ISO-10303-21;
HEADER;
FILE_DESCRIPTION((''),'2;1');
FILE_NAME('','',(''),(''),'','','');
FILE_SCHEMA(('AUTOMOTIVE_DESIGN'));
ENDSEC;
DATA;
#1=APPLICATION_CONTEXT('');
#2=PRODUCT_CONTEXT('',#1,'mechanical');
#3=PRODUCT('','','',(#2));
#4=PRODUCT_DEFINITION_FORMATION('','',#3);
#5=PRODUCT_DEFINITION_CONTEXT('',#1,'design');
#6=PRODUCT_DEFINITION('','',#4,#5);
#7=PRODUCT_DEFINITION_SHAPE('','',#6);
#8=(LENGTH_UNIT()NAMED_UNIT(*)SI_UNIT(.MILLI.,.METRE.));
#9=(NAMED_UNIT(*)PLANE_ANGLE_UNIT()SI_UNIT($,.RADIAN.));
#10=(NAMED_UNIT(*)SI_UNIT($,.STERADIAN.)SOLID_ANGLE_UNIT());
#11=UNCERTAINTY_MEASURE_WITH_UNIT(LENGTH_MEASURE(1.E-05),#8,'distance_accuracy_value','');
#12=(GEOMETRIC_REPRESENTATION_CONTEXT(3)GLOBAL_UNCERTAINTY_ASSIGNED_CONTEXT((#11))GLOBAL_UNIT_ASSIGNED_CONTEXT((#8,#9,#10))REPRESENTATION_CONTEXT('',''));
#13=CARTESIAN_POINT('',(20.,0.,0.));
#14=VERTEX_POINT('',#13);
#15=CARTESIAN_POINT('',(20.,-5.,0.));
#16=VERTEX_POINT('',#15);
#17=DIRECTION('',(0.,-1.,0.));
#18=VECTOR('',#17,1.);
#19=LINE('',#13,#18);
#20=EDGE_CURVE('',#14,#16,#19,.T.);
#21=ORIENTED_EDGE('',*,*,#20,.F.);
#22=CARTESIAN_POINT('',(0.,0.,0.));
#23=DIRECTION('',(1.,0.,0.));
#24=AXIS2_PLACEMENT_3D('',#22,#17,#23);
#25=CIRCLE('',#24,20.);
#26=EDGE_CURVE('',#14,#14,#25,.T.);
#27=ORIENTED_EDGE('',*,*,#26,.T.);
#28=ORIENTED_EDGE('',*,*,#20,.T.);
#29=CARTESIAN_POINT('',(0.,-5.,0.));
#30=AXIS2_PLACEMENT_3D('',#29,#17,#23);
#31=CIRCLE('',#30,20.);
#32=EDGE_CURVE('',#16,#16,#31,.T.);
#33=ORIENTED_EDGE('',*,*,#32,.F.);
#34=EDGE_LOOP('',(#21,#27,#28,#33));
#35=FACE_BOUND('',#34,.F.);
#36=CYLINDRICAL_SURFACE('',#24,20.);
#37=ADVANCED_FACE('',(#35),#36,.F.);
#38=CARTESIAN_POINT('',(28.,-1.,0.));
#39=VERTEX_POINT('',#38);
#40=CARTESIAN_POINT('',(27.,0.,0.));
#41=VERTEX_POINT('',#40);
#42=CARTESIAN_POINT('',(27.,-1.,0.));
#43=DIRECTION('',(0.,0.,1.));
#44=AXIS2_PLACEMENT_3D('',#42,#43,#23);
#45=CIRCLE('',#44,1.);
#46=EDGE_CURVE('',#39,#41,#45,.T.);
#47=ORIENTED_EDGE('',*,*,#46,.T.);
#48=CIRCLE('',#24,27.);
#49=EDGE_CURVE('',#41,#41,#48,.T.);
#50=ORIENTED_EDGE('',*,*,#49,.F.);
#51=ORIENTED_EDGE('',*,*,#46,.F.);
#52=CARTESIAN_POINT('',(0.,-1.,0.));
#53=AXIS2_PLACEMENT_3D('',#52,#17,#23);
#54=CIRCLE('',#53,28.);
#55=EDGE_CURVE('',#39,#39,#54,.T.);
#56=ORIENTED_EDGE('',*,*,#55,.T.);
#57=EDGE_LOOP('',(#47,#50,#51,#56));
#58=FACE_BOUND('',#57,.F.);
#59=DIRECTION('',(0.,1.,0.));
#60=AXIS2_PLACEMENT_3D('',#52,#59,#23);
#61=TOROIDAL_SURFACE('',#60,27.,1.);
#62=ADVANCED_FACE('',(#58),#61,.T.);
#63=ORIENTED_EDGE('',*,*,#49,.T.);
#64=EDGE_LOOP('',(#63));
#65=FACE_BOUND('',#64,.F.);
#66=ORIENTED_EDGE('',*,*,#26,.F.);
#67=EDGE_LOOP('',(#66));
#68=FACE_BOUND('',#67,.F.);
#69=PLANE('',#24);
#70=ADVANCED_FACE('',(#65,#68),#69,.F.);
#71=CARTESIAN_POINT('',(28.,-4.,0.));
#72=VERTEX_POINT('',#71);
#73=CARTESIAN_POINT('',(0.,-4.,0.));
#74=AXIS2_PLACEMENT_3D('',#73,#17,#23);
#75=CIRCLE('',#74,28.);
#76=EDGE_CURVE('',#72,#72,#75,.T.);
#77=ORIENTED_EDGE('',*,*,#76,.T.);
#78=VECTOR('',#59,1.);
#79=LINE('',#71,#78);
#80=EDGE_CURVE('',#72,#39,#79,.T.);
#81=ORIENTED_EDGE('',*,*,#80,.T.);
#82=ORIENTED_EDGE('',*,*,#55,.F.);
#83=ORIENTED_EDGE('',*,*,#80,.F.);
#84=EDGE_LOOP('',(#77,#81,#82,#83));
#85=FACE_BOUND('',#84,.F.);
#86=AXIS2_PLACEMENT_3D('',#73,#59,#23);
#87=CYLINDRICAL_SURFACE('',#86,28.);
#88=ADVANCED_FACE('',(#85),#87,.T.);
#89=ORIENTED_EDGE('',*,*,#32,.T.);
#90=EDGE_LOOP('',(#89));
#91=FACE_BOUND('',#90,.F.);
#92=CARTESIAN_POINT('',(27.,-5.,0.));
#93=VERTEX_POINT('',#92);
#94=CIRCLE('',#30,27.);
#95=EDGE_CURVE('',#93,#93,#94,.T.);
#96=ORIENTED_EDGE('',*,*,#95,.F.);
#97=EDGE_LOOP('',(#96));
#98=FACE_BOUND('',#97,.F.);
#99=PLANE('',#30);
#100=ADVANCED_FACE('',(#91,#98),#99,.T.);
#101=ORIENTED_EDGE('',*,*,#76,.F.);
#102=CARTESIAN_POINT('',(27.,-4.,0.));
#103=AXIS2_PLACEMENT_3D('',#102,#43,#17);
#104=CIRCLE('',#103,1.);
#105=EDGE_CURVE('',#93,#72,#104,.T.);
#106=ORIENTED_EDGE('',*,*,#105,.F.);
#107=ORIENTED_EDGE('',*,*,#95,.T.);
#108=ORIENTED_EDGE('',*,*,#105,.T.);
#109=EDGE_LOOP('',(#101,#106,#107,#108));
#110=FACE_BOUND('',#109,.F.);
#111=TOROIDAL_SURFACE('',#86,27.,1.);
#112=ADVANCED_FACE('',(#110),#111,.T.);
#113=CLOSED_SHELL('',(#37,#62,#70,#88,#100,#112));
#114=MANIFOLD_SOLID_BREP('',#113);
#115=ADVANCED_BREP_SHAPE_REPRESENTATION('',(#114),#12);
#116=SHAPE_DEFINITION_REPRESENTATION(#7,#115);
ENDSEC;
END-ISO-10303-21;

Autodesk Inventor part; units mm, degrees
sketch "Skizze_1" plane through (0, 0, 0) normal (0, 0, 1) x (1, 0, 0)
  line L0 (0, -50) -> (0, 50)
  line L1 (20, 0) -> (20, -5)
  line L2 (20, -5) -> (27, -5)
  arc A0 (27, -5) -> (28, -4) centre (27, -4) ccw
  line L3 (28, -4) -> (28, -1)
  arc A1 (28, -1) -> (27, 0) centre (27, -1) ccw
  line L4 (27, 0) -> (20, 0)
revolve "Revolution1" add sketch "Skizze_1" angle 360 about axis through (0, -50, 0) along (0, -1, 0)
ref_plane "EPRING_XY" through (0, 0, 0) normal (0, 1, 0) x (1, 0, 0)
ref_plane "EPRING_YZ" through (0, 0, 0) normal (1, 0, 0) x (0, 0, -1)
ref_plane "EPRING_ZX" through (0, 0, 0) normal (0, 0, -1) x (0, 1, 0)
properties part number "LZ80_Dichtring"
